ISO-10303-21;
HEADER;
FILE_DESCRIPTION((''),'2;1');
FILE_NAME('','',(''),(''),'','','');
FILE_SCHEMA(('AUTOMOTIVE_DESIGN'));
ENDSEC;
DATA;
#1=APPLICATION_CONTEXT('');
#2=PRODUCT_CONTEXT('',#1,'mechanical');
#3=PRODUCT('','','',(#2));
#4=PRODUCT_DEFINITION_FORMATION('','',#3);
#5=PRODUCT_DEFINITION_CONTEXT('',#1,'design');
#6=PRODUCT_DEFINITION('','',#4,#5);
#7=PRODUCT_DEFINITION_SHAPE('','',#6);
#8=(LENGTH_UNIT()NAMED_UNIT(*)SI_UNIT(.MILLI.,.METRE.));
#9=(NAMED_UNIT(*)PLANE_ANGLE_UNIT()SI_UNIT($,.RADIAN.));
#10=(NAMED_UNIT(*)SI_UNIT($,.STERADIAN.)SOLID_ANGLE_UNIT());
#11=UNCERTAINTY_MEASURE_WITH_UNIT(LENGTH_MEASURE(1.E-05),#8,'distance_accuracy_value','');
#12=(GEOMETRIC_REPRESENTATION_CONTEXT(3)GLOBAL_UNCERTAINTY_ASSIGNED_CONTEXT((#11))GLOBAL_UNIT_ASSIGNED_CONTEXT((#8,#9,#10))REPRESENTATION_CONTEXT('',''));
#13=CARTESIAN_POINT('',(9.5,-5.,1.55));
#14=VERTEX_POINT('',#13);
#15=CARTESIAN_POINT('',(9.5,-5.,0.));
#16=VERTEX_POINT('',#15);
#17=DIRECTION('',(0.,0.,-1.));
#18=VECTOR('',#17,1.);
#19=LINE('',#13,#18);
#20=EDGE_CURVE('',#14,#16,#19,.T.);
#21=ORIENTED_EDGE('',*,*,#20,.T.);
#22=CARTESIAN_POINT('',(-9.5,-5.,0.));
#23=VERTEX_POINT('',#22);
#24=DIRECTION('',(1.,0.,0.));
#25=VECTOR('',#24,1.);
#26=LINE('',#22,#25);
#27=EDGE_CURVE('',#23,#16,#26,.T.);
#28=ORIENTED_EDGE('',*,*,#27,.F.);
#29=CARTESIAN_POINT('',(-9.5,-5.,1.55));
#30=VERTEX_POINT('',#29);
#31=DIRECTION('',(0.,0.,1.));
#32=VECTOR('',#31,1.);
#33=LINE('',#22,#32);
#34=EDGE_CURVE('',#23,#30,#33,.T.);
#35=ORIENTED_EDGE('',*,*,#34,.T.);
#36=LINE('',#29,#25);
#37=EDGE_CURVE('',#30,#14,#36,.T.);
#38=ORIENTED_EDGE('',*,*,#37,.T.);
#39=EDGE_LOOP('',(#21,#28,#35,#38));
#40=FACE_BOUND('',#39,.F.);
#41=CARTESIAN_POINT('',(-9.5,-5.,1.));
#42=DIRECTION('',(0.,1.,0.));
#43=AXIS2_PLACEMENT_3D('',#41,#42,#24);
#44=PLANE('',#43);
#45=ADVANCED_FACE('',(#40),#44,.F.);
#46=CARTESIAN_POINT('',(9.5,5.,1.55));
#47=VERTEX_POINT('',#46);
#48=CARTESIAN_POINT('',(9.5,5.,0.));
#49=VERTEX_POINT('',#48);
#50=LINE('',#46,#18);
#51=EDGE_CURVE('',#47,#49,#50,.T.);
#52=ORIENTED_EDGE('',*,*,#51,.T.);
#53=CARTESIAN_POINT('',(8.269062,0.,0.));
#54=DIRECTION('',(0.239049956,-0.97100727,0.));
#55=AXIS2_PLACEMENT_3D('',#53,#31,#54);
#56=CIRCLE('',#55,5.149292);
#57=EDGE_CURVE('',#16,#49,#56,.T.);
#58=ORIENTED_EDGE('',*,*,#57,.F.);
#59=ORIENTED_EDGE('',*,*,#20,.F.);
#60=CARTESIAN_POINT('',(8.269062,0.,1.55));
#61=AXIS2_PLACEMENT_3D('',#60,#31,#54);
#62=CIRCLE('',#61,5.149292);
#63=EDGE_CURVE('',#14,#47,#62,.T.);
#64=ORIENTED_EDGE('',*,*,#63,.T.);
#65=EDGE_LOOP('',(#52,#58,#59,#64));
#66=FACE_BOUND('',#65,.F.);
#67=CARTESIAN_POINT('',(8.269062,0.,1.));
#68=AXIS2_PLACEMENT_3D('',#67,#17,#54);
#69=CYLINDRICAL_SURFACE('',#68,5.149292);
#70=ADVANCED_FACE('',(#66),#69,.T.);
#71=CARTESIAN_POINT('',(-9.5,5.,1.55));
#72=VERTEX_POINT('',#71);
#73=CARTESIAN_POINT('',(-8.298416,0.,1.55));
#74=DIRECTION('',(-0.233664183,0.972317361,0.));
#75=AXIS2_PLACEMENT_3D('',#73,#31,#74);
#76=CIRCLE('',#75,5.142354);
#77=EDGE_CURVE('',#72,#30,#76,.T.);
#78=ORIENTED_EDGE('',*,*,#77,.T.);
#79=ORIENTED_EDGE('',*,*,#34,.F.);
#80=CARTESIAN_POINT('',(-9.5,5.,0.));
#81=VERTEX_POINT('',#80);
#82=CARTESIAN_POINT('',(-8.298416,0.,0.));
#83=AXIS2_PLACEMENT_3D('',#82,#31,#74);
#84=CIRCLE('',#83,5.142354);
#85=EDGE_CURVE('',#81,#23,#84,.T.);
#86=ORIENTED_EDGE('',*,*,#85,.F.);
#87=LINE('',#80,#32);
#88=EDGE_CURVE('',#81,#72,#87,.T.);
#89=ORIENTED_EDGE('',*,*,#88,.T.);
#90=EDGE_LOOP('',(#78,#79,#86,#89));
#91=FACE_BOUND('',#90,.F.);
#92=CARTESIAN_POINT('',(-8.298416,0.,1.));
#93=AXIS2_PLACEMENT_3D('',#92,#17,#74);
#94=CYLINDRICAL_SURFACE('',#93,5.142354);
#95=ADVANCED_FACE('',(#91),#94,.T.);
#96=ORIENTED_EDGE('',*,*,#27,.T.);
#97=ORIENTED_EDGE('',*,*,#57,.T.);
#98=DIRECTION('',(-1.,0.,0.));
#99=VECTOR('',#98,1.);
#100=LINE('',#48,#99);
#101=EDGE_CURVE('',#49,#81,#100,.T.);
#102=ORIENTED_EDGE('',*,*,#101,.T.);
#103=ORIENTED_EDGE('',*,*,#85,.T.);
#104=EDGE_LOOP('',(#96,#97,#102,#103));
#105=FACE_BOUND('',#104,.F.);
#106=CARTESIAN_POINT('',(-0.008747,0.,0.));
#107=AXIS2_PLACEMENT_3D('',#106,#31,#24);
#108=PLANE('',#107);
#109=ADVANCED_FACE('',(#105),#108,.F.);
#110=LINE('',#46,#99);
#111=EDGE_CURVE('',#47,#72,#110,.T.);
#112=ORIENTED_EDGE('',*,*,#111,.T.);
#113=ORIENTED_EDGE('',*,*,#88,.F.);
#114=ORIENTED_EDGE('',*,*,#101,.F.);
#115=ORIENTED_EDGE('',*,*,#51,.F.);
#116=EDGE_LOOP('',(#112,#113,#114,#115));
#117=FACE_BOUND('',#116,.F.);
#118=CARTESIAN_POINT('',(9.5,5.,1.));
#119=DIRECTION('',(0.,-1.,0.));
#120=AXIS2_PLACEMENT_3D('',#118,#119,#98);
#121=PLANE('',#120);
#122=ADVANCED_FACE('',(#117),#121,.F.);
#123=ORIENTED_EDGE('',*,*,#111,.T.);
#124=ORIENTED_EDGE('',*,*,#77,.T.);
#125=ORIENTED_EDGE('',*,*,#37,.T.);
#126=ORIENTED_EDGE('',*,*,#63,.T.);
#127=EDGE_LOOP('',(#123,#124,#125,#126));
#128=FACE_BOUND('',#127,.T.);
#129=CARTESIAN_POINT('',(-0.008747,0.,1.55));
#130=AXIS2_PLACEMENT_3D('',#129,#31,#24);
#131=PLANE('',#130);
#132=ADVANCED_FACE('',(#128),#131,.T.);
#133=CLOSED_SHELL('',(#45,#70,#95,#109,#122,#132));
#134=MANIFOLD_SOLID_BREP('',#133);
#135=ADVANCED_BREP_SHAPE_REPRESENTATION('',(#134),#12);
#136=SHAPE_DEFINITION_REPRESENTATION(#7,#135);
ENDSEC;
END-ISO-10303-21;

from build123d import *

# Parameters (mm, degrees)
F1_DEPTH = 1
F3_DEPTH = 0.55


with BuildPart() as f1:
    # F0 (on Top) → F1 (new body)
    with BuildSketch(Plane.XY):
        with BuildLine():
            Line((-9.5, -5), (9.5, -5))
            ThreePointArc((9.5, -5), (13.418354, 0), (9.5, 5))
            Line((9.5, 5), (-9.5, 5))
            ThreePointArc((-9.5, 5), (-13.44077, 0), (-9.5, -5))
        make_face()
    extrude(amount=F1_DEPTH)

    # F2 (on face) → F3 (join)
    with BuildSketch(Plane.XY.offset(1)):
        with BuildLine():
            Line((9.5, 5), (-9.5, 5))
            ThreePointArc((-9.5, 5), (-13.44077, 0), (-9.5, -5))
            Line((-9.5, -5), (9.5, -5))
            ThreePointArc((9.5, -5), (13.418354, 0), (9.5, 5))
        make_face()
    extrude(amount=F3_DEPTH)


solid = f1.part
